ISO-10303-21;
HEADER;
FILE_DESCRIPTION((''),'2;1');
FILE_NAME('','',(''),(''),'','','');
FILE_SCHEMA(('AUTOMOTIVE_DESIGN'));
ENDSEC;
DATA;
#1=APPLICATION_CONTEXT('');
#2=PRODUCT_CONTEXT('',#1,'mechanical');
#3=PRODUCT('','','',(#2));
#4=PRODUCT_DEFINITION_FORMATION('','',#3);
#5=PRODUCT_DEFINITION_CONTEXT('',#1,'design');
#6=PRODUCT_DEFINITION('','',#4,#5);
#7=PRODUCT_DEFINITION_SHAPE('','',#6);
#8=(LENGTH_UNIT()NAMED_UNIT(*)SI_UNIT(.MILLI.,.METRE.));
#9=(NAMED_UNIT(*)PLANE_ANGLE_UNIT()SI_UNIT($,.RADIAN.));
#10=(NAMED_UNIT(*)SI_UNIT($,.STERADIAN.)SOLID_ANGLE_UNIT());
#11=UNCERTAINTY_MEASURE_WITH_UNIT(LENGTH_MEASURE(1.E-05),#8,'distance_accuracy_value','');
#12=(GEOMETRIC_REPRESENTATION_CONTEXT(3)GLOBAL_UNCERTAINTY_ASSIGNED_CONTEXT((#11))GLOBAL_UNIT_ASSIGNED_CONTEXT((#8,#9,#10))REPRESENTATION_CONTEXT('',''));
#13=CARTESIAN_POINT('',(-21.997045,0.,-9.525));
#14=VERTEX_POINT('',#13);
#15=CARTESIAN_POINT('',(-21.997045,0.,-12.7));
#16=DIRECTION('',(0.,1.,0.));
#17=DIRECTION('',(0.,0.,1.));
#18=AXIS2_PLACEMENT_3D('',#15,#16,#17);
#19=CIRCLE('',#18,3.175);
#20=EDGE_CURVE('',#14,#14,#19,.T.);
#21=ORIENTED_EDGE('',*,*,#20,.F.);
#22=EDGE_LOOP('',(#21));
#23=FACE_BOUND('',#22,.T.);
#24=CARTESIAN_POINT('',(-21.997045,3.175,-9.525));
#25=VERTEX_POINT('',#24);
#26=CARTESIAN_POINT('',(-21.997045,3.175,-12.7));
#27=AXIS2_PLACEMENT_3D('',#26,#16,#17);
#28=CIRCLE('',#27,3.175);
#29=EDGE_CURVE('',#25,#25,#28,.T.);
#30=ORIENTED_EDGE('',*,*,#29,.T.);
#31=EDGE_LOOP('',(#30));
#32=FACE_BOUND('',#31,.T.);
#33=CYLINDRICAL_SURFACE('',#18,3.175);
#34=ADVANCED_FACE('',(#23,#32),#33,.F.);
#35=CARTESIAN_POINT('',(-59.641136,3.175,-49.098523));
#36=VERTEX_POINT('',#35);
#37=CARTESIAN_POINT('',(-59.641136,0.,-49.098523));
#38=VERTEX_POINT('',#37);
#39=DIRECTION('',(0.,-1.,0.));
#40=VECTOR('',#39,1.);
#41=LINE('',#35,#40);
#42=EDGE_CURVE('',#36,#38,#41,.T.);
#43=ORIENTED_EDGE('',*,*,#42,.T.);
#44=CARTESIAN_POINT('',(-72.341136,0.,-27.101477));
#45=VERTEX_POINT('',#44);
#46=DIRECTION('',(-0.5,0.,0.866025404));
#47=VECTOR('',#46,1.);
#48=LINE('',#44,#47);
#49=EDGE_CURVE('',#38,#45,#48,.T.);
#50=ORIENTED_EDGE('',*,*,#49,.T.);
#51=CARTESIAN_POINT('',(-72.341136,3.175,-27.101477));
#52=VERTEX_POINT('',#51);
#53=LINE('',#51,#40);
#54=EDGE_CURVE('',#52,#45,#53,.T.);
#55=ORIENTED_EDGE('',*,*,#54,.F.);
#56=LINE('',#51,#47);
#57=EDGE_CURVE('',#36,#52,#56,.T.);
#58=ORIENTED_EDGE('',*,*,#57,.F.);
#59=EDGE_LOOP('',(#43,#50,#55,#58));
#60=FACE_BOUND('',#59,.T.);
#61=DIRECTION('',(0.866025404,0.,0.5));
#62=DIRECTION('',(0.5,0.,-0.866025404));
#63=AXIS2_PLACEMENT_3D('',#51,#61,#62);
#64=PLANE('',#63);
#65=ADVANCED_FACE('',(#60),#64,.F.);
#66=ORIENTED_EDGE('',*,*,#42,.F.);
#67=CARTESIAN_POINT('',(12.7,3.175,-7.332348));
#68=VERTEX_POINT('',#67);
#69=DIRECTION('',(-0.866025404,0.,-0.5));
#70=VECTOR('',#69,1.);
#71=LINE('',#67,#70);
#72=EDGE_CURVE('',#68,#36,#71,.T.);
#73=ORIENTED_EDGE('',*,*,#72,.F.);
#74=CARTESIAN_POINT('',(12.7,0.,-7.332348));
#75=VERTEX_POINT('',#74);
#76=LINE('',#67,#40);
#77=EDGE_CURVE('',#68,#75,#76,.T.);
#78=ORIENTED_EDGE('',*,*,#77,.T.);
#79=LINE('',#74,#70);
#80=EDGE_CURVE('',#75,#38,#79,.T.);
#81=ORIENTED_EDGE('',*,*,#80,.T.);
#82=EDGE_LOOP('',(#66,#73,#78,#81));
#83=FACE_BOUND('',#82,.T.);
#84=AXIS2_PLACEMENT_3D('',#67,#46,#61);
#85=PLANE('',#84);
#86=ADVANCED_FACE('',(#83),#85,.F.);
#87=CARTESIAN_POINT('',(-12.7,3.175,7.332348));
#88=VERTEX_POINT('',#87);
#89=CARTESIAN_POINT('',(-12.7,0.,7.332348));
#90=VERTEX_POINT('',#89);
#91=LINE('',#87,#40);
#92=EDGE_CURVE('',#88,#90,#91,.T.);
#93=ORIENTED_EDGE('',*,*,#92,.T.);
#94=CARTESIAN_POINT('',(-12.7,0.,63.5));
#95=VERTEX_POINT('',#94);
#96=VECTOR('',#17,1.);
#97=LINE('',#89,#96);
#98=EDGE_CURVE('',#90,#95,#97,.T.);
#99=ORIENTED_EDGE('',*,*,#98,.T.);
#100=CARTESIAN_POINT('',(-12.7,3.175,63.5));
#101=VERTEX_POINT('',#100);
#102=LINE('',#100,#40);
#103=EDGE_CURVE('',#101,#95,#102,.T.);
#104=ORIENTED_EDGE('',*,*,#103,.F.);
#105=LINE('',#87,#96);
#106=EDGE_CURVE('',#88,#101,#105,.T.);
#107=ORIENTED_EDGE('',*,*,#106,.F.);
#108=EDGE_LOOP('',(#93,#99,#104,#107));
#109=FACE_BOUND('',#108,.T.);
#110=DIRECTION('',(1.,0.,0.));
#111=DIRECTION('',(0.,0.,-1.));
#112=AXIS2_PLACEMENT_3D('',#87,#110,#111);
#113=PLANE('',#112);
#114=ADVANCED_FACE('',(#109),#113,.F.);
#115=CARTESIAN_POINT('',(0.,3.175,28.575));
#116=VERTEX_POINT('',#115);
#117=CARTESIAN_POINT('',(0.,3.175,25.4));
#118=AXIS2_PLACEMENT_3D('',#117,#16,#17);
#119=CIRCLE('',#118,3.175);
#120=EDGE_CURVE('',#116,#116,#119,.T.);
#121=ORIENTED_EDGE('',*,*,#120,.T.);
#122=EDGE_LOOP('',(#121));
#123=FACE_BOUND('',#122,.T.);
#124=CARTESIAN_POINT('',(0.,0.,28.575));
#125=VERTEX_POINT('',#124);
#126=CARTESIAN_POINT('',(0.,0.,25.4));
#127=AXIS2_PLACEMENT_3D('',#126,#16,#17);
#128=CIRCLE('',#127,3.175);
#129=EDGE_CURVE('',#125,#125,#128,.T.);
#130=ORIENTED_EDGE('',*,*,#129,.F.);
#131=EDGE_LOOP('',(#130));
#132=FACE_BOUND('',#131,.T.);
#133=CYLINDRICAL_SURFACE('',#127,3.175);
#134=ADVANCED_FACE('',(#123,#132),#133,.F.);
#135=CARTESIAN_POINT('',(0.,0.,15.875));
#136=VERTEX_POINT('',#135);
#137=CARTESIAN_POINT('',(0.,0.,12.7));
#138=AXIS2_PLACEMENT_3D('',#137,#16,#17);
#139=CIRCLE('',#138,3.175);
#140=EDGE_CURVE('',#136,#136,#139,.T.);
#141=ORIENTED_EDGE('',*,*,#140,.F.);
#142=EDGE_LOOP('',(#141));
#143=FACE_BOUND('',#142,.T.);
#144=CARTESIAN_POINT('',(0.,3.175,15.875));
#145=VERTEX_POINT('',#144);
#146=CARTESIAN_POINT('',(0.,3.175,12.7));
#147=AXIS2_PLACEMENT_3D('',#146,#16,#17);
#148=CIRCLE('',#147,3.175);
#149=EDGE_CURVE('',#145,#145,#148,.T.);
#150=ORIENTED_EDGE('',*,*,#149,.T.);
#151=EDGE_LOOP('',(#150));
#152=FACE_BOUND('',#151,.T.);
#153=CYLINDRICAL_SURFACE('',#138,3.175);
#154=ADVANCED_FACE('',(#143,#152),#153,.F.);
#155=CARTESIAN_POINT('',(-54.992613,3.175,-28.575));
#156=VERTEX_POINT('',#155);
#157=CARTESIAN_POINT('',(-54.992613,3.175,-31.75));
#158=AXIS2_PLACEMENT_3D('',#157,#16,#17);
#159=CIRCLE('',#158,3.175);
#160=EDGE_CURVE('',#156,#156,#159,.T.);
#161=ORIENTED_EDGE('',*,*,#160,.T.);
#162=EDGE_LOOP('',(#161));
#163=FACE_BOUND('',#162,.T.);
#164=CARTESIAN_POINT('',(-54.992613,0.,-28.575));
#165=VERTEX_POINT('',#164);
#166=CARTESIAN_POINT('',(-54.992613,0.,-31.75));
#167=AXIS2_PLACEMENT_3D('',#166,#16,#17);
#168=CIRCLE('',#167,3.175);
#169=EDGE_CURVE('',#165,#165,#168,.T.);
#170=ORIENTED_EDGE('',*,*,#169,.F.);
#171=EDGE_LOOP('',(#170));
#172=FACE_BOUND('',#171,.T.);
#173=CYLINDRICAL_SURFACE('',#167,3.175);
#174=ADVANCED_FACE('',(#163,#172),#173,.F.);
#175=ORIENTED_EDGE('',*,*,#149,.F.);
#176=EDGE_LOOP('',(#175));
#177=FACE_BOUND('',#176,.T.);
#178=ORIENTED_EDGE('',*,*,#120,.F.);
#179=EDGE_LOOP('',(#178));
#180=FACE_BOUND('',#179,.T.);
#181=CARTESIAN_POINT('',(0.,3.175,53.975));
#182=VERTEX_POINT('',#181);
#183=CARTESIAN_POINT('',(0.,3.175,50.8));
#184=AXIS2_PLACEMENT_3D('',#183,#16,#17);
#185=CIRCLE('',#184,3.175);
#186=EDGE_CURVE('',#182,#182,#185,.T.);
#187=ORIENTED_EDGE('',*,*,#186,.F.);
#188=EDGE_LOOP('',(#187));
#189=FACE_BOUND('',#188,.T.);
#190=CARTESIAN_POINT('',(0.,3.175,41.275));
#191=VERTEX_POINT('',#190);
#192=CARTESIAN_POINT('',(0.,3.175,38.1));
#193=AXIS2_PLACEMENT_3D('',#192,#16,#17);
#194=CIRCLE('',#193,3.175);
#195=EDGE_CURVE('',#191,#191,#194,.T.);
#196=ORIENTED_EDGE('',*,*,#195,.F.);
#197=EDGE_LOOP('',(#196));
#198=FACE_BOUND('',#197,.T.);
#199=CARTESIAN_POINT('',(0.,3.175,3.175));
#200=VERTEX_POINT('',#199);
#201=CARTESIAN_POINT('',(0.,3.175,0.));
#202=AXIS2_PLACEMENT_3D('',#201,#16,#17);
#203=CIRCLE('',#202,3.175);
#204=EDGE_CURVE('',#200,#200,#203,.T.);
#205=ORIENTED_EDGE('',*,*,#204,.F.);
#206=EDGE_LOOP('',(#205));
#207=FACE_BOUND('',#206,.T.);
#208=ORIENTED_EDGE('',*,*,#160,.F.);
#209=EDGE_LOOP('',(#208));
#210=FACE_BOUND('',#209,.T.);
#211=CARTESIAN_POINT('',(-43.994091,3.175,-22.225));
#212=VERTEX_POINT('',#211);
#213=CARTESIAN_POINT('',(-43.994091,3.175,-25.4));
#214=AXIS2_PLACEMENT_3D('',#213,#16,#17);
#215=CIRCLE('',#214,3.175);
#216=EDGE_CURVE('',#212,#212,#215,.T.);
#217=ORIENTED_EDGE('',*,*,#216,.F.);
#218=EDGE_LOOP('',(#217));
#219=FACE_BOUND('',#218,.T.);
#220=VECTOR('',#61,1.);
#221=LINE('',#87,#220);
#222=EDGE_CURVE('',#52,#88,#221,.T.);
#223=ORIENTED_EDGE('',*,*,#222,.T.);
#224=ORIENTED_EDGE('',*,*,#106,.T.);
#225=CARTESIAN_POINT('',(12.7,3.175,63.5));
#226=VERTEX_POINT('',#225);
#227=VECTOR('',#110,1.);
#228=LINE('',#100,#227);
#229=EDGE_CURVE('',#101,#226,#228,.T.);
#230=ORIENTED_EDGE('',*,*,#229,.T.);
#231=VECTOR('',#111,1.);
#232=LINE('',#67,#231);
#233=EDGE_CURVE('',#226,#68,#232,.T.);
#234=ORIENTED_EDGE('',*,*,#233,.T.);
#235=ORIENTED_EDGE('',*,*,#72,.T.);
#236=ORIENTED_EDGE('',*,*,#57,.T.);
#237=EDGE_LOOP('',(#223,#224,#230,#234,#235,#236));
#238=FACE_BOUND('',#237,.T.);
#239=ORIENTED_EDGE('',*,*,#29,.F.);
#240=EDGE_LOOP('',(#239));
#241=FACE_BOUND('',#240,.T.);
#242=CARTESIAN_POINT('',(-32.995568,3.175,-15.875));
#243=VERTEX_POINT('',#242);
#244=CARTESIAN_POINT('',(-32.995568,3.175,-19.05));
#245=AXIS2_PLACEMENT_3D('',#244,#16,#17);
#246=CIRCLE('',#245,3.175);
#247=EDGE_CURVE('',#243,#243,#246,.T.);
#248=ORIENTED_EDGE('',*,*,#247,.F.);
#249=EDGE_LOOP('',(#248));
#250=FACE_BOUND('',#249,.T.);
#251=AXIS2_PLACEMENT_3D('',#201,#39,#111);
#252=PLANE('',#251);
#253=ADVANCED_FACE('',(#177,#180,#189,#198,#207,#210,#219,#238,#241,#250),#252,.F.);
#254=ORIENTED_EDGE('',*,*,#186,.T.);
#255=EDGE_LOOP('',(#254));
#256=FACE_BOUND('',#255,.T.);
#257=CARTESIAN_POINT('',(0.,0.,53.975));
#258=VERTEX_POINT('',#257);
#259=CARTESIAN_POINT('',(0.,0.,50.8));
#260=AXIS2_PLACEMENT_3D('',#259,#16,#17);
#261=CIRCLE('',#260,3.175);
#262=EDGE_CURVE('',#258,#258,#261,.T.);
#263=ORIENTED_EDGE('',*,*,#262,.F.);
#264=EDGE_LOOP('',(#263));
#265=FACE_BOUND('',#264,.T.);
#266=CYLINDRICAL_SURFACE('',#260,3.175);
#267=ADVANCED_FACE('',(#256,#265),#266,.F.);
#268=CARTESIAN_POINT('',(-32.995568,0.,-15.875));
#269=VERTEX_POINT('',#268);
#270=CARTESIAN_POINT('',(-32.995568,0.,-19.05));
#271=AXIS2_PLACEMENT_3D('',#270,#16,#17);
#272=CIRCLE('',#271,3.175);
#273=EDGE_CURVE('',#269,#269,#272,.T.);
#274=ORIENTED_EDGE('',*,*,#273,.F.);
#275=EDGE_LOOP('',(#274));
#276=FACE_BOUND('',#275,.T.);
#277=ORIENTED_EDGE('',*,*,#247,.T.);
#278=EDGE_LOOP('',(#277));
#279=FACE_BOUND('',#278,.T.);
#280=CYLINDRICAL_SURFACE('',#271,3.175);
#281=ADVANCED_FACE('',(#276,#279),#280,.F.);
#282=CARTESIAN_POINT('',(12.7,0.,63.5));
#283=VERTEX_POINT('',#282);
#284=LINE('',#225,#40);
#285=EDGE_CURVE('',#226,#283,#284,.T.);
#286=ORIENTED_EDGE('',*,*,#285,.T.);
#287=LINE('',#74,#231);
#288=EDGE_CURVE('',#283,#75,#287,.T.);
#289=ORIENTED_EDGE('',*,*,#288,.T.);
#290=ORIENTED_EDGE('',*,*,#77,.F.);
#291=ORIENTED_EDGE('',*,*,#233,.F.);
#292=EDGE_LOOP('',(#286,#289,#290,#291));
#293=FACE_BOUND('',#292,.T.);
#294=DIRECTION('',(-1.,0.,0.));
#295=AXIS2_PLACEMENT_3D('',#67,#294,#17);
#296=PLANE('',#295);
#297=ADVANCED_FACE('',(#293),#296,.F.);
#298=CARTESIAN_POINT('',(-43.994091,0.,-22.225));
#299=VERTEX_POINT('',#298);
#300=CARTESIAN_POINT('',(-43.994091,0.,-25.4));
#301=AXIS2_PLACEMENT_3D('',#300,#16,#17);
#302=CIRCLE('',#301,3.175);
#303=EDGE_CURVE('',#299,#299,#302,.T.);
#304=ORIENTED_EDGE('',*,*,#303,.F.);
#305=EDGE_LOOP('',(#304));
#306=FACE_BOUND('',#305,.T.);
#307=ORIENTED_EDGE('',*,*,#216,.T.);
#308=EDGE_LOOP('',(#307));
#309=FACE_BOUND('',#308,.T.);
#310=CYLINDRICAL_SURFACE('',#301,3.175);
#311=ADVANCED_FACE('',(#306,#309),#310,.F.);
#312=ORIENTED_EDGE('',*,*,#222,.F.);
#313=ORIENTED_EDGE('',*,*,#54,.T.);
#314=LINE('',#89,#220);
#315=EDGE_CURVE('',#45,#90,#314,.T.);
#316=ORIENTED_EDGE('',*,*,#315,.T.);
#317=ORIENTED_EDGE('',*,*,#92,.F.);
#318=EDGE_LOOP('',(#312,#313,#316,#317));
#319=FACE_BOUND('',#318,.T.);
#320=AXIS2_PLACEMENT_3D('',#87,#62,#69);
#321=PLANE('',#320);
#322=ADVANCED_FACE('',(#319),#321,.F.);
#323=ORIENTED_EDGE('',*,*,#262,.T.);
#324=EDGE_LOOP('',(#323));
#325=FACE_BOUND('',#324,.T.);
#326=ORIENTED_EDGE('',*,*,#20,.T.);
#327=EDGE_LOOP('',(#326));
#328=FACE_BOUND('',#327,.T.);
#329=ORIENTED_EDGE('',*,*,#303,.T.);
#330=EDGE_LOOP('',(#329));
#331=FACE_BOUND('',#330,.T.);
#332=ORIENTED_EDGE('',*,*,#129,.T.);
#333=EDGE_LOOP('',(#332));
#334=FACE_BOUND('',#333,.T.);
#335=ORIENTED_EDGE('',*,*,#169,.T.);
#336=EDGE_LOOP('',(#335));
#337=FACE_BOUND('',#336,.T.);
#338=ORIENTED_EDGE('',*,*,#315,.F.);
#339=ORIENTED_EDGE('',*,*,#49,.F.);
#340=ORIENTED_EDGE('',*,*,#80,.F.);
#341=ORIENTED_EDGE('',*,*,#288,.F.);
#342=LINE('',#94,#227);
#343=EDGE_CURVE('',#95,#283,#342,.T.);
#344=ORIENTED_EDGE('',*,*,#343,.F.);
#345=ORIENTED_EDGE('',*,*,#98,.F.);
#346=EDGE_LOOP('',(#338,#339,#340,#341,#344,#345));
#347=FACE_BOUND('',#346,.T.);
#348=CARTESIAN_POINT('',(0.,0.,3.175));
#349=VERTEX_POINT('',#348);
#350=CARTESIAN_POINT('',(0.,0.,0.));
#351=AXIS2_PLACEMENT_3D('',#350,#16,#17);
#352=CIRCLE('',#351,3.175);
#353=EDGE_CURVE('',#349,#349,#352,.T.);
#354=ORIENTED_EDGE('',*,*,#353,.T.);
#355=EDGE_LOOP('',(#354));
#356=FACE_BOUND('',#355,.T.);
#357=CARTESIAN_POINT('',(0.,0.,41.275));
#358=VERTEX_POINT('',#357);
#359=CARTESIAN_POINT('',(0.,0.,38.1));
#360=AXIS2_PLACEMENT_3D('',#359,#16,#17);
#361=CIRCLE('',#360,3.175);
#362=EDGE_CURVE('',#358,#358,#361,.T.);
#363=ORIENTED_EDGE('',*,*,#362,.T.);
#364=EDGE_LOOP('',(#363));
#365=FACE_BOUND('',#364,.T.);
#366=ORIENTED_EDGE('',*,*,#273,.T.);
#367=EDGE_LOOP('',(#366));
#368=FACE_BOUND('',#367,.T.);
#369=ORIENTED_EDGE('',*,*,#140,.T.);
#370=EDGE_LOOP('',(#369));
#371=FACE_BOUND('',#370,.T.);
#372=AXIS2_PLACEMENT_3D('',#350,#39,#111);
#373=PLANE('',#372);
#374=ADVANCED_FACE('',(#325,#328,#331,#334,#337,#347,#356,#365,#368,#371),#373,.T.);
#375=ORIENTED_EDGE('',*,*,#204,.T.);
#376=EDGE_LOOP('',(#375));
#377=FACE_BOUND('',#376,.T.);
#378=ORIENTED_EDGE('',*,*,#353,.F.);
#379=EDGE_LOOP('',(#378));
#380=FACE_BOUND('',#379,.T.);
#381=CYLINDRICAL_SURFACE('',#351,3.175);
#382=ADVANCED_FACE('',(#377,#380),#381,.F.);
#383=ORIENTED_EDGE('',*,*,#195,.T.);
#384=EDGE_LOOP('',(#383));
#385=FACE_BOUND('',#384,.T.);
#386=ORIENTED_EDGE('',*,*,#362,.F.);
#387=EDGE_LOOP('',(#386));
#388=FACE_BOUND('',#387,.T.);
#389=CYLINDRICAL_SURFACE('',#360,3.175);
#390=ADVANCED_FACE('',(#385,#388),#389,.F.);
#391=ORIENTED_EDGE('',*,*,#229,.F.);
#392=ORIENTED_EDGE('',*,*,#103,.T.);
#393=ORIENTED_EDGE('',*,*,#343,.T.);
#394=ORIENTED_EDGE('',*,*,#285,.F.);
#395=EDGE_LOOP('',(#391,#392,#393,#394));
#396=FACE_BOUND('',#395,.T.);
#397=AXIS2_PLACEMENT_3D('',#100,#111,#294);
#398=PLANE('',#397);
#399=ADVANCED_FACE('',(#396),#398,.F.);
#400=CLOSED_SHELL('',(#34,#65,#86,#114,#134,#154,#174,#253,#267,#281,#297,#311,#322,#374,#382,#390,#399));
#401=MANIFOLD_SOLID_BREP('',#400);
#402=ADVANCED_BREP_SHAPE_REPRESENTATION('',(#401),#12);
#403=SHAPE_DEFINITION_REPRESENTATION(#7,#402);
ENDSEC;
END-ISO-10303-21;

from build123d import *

# Parameters (mm, degrees)
BOSS_EXTRUDE1_DEPTH = 3.175
SKETCH2_R           = 3.175
CUT_EXTRUDE1_DEPTH  = 97.30976352


with BuildPart() as part:
    # Sketch1 → Boss-Extrude1 (new body)
    with BuildSketch(Plane(origin=(0, 0, 0), x_dir=(1, 0, 0), z_dir=(0, 1, 0))):
        Polygon((12.7, 7.332348419), (12.7, -63.5), (-12.7, -63.5), (-12.7, -7.332348419), (-72.341135768, 27.101477372), (-59.641135768, 49.098522628), align=None)
    extrude(amount=BOSS_EXTRUDE1_DEPTH)

    # Sketch2 → Cut-Extrude1 (cut, through all)
    with BuildSketch(Plane(origin=(0, 3.175, 0), x_dir=(1, 0, 0), z_dir=(0, 1, 0))):
        with Locations(Location((-54.99261314, 31.75, 0), (0, 0, 270))):
            Circle(SKETCH2_R)
        with Locations(Location((-43.994090512, 25.4, 0), (0, 0, 270))):
            Circle(SKETCH2_R)
        with Locations(Location((-32.995567884, 19.05, 0), (0, 0, 270))):
            Circle(SKETCH2_R)
        with Locations(Location((-21.997045256, 12.7, 0), (0, 0, 270))):
            Circle(SKETCH2_R)
        with Locations(Location((0, 0, 0), (0, 0, 270))):
            Circle(SKETCH2_R)
        with Locations(Location((0, -50.8, 0), (0, 0, 270))):
            Circle(SKETCH2_R)
        with Locations(Location((0, -38.1, 0), (0, 0, 270))):
            Circle(SKETCH2_R)
        with Locations(Location((0, -25.4, 0), (0, 0, 270))):
            Circle(SKETCH2_R)
        with Locations(Location((0, -12.7, 0), (0, 0, 270))):
            Circle(SKETCH2_R)
    extrude(amount=-CUT_EXTRUDE1_DEPTH, mode=Mode.SUBTRACT)


solid = part.part
